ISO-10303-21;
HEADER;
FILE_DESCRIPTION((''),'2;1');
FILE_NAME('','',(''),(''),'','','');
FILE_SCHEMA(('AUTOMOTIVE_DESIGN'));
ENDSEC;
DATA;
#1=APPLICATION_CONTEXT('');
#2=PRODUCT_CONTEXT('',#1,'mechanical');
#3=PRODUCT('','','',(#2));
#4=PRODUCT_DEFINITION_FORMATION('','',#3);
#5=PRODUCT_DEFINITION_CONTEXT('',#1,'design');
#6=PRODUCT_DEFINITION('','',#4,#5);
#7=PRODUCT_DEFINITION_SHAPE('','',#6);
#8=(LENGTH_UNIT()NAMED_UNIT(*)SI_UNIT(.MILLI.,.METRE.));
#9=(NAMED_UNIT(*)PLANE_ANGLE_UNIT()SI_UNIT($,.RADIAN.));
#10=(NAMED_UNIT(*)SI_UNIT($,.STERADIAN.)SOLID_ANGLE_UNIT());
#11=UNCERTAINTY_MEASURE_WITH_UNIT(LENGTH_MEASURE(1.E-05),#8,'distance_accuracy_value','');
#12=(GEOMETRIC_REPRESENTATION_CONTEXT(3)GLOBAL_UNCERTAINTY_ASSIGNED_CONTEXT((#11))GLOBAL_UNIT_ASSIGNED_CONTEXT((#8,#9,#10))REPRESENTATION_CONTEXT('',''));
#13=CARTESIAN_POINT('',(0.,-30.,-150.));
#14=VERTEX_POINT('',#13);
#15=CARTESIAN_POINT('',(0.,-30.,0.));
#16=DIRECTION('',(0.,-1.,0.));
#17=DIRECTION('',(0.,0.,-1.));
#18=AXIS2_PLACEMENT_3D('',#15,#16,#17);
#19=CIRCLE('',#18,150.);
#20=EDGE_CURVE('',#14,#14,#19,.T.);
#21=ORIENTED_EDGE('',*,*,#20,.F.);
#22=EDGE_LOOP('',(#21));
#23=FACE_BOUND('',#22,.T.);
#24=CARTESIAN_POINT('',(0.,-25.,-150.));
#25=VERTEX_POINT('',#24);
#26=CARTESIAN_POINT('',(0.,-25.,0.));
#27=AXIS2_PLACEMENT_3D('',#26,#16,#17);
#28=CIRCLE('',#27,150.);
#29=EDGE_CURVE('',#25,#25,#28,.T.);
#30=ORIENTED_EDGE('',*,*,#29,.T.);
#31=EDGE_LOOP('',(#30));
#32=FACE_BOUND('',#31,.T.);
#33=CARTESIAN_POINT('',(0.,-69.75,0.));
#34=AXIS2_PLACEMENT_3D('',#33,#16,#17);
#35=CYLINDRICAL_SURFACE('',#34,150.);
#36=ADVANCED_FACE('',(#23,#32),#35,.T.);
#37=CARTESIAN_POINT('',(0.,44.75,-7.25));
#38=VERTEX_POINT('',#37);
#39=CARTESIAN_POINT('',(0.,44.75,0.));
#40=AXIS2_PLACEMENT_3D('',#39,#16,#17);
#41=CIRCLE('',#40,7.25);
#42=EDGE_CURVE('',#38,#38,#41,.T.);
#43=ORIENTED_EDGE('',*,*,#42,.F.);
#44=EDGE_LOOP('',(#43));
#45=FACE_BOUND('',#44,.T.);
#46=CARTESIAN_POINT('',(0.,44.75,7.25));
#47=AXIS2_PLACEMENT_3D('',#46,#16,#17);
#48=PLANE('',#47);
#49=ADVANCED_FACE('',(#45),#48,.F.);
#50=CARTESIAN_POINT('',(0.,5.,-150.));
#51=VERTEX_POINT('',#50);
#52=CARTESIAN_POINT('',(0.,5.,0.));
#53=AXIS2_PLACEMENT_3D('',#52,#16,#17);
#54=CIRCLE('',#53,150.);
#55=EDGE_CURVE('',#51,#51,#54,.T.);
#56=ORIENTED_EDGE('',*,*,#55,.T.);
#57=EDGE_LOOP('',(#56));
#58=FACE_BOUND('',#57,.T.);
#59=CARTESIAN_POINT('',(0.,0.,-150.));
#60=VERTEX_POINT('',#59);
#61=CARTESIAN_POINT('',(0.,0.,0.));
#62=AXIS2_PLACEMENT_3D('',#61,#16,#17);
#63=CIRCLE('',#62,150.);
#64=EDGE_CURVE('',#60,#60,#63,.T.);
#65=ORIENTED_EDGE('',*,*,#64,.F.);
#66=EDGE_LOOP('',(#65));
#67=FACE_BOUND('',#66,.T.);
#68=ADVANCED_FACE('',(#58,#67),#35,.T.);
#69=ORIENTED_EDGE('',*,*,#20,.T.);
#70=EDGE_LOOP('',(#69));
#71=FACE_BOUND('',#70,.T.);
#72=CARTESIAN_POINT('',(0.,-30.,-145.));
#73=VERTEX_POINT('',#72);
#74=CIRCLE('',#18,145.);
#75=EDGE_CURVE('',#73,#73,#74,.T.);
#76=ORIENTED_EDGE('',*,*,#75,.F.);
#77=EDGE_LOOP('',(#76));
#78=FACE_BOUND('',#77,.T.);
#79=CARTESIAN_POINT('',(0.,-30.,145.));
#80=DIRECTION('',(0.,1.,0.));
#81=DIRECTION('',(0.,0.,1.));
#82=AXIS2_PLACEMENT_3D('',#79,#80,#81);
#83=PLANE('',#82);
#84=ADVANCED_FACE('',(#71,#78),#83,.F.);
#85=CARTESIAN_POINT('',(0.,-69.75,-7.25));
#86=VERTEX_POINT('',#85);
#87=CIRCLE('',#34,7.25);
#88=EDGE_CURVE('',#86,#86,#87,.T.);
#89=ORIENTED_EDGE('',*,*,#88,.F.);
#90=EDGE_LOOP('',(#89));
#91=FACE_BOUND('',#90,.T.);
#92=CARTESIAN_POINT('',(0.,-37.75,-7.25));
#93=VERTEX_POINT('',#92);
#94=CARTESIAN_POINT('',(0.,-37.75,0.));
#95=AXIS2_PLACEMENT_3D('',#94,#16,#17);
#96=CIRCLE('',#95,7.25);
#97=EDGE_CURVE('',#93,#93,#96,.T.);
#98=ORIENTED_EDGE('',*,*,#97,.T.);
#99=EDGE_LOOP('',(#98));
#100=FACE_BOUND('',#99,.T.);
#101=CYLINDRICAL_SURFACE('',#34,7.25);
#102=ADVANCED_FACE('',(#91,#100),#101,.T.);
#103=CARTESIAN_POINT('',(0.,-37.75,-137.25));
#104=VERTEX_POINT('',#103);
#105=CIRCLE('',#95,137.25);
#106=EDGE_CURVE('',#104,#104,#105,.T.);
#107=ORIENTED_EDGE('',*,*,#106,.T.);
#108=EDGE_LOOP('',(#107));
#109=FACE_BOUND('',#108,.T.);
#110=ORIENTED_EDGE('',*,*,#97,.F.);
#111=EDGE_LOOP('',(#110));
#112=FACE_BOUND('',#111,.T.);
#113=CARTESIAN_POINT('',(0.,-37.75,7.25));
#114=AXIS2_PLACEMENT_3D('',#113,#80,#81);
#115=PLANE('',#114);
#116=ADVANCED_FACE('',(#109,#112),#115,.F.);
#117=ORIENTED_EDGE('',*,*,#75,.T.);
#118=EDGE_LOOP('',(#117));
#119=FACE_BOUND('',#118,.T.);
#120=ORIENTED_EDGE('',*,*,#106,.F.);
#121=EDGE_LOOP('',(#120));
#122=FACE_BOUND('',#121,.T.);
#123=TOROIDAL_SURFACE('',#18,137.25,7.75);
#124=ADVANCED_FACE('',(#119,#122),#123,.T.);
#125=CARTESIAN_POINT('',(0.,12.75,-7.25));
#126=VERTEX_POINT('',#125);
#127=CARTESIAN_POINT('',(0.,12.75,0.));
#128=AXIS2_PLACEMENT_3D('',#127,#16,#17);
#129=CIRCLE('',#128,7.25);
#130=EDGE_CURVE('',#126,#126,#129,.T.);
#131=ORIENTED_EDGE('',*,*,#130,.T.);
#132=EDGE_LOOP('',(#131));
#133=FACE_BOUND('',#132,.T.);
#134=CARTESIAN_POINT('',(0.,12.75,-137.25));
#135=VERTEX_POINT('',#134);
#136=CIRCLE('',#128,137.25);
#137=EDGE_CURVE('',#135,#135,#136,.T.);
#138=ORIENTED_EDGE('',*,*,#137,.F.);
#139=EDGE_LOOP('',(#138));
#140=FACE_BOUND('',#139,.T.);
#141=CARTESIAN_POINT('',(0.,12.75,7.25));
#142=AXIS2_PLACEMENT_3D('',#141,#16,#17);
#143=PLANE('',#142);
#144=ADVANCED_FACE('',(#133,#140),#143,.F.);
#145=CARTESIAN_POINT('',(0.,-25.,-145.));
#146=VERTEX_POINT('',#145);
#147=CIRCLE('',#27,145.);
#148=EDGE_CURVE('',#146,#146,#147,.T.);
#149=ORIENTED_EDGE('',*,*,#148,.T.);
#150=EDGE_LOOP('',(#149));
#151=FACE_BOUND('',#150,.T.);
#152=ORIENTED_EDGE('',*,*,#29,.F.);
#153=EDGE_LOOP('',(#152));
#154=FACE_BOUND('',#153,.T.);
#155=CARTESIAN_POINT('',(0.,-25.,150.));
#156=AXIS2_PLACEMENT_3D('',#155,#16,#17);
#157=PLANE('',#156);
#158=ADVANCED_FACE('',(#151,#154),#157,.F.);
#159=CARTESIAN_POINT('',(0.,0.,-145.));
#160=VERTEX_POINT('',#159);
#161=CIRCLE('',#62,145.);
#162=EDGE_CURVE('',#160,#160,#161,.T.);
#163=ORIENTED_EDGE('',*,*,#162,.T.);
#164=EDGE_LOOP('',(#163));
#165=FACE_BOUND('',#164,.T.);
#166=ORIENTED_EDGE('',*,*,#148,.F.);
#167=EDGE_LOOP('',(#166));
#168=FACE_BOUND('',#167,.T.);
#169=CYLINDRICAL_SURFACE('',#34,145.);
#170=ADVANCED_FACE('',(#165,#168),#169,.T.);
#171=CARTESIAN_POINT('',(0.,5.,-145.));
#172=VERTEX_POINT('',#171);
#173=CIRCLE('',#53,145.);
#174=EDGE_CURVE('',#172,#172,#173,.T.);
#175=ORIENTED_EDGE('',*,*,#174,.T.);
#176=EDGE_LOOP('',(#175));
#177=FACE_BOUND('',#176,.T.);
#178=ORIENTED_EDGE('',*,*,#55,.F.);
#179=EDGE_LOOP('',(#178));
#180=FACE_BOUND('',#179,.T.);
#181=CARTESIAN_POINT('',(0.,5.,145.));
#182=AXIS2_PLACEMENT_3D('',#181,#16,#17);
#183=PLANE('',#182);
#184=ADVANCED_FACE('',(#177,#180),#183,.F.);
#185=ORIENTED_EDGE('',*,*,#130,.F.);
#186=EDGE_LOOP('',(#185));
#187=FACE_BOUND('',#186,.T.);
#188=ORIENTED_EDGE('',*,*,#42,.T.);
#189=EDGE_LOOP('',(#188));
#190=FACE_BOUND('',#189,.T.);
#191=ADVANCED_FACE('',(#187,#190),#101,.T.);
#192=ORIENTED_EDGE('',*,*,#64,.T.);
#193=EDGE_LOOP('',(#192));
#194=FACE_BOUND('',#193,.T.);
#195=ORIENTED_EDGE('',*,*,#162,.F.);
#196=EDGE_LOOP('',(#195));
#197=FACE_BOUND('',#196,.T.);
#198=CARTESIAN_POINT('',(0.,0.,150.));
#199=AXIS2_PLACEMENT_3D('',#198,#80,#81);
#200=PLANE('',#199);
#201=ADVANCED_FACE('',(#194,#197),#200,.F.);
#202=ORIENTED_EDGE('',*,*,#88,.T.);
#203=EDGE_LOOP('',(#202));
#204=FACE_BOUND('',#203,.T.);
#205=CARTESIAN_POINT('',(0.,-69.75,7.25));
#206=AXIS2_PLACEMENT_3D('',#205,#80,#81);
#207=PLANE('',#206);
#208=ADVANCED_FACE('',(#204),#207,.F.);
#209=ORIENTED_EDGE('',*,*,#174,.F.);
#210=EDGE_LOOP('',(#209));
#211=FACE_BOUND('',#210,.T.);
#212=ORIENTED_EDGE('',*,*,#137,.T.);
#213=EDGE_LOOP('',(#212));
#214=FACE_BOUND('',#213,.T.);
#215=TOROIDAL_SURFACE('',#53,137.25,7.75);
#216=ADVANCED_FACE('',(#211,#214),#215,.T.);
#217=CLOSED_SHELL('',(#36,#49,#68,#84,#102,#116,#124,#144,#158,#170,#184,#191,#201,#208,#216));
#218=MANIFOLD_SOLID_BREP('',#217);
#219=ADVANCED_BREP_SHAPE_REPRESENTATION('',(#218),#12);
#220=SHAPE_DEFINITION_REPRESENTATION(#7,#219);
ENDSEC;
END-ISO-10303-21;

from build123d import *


with BuildPart() as part:
    # Sketch3 → Revolve1 (revolve)
    with BuildSketch(Plane(origin=(0, 0, 0), x_dir=(0, 0, -1), z_dir=(1, 0, 0)), mode=Mode.PRIVATE) as revolve1_sk:
        with BuildLine():
            Line((-7.25, 44.75), (-7.25, 12.75))
            Line((-7.25, 12.75), (-137.25, 12.75))
            ThreePointArc((-137.25, 12.75), (-142.730077554, 10.480077554), (-145, 5))
            Line((-145, 5), (-150, 5))
            Line((-150, 5), (-150, 0))
            Line((-150, 0), (-145, 0))
            Line((-145, 0), (-145, -25))
            Line((-145, -25), (-150, -25))
            Line((-150, -25), (-150, -30))
            Line((-150, -30), (-145, -30))
            ThreePointArc((-145, -30), (-142.730077554, -35.480077554), (-137.25, -37.75))
            Line((-137.25, -37.75), (-7.25, -37.75))
            Line((-7.25, -37.75), (-7.25, -69.75))
            Line((-7.25, -69.75), (0, -69.75))
            Line((0, -69.75), (0, 44.75))
            Line((0, 44.75), (-7.25, 44.75))
        make_face()
    revolve(revolve1_sk.sketch.rotate(Axis((0, -69.75, 0), (0, 1, 0)), 180), axis=Axis((0, -69.75, 0), (0, 1, 0)))


solid = part.part
